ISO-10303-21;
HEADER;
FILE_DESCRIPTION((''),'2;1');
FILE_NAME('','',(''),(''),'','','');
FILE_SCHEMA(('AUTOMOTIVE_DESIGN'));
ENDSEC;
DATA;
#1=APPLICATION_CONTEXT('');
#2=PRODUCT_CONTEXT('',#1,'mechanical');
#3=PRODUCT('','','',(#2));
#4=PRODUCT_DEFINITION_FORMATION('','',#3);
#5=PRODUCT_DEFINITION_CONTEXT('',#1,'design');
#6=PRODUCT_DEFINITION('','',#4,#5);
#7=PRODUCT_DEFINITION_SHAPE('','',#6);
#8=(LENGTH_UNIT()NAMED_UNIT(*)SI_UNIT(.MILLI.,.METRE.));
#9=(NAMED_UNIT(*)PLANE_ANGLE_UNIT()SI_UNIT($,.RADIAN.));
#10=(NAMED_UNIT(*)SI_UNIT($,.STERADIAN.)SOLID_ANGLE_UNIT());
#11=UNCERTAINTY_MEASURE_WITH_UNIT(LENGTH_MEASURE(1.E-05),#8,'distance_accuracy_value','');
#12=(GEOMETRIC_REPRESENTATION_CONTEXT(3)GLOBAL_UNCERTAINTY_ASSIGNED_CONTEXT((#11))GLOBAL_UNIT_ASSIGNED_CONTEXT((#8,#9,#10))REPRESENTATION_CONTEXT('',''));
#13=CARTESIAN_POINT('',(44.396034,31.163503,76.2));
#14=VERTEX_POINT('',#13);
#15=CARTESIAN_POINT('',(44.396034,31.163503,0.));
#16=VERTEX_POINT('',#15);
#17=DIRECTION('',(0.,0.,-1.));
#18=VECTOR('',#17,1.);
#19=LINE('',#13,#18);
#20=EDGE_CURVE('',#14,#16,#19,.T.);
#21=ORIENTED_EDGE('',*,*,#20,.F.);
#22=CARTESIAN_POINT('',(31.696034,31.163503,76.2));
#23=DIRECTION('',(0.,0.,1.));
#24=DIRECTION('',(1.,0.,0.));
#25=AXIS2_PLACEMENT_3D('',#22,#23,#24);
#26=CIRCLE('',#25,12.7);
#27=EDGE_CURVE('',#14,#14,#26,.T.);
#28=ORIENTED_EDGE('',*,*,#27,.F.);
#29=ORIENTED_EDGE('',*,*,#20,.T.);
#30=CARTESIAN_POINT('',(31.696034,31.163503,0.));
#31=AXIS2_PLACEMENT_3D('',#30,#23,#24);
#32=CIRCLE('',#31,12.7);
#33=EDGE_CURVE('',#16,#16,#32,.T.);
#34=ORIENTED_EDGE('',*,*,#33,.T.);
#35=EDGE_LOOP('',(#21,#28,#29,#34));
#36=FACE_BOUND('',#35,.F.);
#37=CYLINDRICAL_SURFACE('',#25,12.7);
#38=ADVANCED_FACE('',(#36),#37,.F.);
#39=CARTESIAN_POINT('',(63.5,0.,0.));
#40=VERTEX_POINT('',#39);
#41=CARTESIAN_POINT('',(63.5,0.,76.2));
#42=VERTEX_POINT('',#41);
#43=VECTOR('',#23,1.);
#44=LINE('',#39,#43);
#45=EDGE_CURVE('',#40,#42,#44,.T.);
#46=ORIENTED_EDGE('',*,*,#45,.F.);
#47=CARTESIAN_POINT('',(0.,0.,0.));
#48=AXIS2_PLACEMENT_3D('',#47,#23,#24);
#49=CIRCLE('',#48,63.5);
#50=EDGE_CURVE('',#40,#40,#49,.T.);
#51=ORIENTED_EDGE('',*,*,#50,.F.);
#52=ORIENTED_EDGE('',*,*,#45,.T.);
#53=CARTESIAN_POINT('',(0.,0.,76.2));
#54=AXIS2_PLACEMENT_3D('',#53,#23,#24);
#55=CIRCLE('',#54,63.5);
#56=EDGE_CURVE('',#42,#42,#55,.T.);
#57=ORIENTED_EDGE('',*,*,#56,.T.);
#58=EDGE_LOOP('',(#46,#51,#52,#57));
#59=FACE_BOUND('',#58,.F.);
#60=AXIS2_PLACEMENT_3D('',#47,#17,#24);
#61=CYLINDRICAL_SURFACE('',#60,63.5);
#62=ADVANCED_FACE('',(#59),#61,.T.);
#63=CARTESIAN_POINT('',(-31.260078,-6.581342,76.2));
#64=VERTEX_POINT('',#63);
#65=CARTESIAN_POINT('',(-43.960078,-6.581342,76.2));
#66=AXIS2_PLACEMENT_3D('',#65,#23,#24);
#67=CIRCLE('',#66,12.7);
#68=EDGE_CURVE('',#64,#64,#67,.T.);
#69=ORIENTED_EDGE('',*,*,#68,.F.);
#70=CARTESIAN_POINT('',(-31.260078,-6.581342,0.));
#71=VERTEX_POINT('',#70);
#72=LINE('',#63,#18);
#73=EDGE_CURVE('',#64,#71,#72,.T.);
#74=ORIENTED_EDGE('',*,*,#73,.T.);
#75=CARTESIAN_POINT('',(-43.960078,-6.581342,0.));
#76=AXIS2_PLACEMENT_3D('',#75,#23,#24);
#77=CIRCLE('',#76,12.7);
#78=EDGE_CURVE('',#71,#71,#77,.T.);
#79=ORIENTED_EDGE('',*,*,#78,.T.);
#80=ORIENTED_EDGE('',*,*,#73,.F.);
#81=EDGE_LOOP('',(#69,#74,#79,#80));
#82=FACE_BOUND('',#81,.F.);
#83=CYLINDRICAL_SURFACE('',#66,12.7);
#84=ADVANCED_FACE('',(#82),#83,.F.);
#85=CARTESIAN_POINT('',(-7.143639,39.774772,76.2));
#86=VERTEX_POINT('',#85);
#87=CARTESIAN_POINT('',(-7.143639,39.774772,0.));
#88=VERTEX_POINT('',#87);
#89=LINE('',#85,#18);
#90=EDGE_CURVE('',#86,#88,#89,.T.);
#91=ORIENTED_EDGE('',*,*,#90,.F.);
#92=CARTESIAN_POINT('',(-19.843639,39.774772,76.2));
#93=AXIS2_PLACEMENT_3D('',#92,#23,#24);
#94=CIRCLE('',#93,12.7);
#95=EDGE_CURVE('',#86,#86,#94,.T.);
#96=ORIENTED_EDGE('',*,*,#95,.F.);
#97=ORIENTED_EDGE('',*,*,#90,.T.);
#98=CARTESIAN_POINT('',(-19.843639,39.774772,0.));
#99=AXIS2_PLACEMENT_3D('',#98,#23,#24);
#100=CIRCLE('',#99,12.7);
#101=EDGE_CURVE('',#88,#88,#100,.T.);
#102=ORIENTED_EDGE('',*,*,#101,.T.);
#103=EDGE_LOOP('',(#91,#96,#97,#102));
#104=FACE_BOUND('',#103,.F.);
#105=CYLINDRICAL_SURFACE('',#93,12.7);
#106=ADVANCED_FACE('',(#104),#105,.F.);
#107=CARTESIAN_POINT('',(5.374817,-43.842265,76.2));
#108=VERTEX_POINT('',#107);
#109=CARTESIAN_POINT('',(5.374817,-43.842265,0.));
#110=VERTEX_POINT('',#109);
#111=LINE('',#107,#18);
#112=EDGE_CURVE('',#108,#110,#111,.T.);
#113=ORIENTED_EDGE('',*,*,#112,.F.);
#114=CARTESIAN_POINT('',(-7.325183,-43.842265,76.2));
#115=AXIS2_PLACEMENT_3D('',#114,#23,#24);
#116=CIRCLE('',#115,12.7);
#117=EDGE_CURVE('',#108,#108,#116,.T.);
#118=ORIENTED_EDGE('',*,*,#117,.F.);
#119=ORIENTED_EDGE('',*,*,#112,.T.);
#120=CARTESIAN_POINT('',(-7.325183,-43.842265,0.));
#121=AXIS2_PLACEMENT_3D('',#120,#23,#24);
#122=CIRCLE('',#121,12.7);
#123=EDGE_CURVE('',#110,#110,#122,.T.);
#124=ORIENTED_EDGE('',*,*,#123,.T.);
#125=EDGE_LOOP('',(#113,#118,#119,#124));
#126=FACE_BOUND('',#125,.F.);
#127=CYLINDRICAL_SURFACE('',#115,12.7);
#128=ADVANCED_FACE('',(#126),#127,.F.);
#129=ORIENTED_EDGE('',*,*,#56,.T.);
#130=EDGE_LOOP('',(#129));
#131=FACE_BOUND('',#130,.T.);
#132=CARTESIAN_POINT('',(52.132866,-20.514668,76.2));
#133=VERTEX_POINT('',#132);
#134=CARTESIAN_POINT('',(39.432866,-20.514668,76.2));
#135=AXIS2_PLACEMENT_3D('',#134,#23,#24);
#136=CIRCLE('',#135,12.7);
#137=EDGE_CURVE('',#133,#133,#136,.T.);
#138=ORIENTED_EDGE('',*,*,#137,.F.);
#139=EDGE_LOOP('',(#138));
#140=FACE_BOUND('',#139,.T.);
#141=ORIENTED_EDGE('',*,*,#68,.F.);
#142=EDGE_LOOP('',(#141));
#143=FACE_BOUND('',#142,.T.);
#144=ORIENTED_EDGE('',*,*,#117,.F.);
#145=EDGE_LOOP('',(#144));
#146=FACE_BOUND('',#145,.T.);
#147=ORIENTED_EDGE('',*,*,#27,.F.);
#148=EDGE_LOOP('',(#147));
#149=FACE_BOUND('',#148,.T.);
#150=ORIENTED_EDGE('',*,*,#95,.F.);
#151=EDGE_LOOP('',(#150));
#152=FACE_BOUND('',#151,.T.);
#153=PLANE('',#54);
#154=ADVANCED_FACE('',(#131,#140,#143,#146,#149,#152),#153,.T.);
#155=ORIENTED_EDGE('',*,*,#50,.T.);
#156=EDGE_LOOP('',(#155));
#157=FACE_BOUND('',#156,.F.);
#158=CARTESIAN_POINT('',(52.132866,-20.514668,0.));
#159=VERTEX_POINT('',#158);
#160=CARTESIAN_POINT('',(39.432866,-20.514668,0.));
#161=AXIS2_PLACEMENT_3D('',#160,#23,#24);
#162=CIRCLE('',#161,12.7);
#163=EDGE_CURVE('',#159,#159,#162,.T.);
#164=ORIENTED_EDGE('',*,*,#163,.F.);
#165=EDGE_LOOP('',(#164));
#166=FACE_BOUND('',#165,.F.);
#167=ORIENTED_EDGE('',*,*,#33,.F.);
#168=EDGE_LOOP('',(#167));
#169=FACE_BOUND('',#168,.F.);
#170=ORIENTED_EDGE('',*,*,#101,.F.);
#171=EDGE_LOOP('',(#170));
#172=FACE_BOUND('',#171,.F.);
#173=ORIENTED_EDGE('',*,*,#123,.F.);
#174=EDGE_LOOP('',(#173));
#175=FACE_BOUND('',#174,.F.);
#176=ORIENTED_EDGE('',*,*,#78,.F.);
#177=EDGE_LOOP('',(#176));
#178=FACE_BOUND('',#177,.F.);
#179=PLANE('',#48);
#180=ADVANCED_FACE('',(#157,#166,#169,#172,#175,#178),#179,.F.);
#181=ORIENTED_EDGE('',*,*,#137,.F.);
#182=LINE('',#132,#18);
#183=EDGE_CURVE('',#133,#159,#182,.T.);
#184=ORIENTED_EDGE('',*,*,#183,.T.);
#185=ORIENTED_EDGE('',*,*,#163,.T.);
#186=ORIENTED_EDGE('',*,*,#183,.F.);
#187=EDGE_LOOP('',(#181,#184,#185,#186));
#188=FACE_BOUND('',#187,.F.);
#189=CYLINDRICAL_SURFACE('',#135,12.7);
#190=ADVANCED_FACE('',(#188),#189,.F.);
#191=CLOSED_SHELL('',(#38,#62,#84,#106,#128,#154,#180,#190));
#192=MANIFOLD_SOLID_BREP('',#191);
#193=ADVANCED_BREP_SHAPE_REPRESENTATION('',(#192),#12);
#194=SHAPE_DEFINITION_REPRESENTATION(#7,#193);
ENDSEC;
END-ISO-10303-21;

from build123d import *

# Parameters (mm, degrees)
F0_R     = 63.5
F1_DEPTH = 76.2
F2_R     = 12.7
F3_DEPTH = 76.201


with BuildPart() as f1:
    # F0 (on Top) → F1 (new body)
    with BuildSketch(Plane.XY):
        Circle(F0_R)
    extrude(amount=F1_DEPTH)

    # F2 (on face) → F3 (cut, through all)
    with BuildSketch(Plane.XY.offset(76.2)):
        with Locations((-19.843639245, 39.7747719229)):
            Circle(F2_R)
        with Locations((31.6960342644, 31.1635028825)):
            Circle(F2_R)
        with Locations((39.432865729, -20.514667933)):
            Circle(F2_R)
        with Locations((-7.3251829701, -43.842264933)):
            Circle(F2_R)
        with Locations((-43.9600777783, -6.5813419394)):
            Circle(F2_R)
    extrude(amount=-F3_DEPTH, mode=Mode.SUBTRACT)


solid = f1.part
